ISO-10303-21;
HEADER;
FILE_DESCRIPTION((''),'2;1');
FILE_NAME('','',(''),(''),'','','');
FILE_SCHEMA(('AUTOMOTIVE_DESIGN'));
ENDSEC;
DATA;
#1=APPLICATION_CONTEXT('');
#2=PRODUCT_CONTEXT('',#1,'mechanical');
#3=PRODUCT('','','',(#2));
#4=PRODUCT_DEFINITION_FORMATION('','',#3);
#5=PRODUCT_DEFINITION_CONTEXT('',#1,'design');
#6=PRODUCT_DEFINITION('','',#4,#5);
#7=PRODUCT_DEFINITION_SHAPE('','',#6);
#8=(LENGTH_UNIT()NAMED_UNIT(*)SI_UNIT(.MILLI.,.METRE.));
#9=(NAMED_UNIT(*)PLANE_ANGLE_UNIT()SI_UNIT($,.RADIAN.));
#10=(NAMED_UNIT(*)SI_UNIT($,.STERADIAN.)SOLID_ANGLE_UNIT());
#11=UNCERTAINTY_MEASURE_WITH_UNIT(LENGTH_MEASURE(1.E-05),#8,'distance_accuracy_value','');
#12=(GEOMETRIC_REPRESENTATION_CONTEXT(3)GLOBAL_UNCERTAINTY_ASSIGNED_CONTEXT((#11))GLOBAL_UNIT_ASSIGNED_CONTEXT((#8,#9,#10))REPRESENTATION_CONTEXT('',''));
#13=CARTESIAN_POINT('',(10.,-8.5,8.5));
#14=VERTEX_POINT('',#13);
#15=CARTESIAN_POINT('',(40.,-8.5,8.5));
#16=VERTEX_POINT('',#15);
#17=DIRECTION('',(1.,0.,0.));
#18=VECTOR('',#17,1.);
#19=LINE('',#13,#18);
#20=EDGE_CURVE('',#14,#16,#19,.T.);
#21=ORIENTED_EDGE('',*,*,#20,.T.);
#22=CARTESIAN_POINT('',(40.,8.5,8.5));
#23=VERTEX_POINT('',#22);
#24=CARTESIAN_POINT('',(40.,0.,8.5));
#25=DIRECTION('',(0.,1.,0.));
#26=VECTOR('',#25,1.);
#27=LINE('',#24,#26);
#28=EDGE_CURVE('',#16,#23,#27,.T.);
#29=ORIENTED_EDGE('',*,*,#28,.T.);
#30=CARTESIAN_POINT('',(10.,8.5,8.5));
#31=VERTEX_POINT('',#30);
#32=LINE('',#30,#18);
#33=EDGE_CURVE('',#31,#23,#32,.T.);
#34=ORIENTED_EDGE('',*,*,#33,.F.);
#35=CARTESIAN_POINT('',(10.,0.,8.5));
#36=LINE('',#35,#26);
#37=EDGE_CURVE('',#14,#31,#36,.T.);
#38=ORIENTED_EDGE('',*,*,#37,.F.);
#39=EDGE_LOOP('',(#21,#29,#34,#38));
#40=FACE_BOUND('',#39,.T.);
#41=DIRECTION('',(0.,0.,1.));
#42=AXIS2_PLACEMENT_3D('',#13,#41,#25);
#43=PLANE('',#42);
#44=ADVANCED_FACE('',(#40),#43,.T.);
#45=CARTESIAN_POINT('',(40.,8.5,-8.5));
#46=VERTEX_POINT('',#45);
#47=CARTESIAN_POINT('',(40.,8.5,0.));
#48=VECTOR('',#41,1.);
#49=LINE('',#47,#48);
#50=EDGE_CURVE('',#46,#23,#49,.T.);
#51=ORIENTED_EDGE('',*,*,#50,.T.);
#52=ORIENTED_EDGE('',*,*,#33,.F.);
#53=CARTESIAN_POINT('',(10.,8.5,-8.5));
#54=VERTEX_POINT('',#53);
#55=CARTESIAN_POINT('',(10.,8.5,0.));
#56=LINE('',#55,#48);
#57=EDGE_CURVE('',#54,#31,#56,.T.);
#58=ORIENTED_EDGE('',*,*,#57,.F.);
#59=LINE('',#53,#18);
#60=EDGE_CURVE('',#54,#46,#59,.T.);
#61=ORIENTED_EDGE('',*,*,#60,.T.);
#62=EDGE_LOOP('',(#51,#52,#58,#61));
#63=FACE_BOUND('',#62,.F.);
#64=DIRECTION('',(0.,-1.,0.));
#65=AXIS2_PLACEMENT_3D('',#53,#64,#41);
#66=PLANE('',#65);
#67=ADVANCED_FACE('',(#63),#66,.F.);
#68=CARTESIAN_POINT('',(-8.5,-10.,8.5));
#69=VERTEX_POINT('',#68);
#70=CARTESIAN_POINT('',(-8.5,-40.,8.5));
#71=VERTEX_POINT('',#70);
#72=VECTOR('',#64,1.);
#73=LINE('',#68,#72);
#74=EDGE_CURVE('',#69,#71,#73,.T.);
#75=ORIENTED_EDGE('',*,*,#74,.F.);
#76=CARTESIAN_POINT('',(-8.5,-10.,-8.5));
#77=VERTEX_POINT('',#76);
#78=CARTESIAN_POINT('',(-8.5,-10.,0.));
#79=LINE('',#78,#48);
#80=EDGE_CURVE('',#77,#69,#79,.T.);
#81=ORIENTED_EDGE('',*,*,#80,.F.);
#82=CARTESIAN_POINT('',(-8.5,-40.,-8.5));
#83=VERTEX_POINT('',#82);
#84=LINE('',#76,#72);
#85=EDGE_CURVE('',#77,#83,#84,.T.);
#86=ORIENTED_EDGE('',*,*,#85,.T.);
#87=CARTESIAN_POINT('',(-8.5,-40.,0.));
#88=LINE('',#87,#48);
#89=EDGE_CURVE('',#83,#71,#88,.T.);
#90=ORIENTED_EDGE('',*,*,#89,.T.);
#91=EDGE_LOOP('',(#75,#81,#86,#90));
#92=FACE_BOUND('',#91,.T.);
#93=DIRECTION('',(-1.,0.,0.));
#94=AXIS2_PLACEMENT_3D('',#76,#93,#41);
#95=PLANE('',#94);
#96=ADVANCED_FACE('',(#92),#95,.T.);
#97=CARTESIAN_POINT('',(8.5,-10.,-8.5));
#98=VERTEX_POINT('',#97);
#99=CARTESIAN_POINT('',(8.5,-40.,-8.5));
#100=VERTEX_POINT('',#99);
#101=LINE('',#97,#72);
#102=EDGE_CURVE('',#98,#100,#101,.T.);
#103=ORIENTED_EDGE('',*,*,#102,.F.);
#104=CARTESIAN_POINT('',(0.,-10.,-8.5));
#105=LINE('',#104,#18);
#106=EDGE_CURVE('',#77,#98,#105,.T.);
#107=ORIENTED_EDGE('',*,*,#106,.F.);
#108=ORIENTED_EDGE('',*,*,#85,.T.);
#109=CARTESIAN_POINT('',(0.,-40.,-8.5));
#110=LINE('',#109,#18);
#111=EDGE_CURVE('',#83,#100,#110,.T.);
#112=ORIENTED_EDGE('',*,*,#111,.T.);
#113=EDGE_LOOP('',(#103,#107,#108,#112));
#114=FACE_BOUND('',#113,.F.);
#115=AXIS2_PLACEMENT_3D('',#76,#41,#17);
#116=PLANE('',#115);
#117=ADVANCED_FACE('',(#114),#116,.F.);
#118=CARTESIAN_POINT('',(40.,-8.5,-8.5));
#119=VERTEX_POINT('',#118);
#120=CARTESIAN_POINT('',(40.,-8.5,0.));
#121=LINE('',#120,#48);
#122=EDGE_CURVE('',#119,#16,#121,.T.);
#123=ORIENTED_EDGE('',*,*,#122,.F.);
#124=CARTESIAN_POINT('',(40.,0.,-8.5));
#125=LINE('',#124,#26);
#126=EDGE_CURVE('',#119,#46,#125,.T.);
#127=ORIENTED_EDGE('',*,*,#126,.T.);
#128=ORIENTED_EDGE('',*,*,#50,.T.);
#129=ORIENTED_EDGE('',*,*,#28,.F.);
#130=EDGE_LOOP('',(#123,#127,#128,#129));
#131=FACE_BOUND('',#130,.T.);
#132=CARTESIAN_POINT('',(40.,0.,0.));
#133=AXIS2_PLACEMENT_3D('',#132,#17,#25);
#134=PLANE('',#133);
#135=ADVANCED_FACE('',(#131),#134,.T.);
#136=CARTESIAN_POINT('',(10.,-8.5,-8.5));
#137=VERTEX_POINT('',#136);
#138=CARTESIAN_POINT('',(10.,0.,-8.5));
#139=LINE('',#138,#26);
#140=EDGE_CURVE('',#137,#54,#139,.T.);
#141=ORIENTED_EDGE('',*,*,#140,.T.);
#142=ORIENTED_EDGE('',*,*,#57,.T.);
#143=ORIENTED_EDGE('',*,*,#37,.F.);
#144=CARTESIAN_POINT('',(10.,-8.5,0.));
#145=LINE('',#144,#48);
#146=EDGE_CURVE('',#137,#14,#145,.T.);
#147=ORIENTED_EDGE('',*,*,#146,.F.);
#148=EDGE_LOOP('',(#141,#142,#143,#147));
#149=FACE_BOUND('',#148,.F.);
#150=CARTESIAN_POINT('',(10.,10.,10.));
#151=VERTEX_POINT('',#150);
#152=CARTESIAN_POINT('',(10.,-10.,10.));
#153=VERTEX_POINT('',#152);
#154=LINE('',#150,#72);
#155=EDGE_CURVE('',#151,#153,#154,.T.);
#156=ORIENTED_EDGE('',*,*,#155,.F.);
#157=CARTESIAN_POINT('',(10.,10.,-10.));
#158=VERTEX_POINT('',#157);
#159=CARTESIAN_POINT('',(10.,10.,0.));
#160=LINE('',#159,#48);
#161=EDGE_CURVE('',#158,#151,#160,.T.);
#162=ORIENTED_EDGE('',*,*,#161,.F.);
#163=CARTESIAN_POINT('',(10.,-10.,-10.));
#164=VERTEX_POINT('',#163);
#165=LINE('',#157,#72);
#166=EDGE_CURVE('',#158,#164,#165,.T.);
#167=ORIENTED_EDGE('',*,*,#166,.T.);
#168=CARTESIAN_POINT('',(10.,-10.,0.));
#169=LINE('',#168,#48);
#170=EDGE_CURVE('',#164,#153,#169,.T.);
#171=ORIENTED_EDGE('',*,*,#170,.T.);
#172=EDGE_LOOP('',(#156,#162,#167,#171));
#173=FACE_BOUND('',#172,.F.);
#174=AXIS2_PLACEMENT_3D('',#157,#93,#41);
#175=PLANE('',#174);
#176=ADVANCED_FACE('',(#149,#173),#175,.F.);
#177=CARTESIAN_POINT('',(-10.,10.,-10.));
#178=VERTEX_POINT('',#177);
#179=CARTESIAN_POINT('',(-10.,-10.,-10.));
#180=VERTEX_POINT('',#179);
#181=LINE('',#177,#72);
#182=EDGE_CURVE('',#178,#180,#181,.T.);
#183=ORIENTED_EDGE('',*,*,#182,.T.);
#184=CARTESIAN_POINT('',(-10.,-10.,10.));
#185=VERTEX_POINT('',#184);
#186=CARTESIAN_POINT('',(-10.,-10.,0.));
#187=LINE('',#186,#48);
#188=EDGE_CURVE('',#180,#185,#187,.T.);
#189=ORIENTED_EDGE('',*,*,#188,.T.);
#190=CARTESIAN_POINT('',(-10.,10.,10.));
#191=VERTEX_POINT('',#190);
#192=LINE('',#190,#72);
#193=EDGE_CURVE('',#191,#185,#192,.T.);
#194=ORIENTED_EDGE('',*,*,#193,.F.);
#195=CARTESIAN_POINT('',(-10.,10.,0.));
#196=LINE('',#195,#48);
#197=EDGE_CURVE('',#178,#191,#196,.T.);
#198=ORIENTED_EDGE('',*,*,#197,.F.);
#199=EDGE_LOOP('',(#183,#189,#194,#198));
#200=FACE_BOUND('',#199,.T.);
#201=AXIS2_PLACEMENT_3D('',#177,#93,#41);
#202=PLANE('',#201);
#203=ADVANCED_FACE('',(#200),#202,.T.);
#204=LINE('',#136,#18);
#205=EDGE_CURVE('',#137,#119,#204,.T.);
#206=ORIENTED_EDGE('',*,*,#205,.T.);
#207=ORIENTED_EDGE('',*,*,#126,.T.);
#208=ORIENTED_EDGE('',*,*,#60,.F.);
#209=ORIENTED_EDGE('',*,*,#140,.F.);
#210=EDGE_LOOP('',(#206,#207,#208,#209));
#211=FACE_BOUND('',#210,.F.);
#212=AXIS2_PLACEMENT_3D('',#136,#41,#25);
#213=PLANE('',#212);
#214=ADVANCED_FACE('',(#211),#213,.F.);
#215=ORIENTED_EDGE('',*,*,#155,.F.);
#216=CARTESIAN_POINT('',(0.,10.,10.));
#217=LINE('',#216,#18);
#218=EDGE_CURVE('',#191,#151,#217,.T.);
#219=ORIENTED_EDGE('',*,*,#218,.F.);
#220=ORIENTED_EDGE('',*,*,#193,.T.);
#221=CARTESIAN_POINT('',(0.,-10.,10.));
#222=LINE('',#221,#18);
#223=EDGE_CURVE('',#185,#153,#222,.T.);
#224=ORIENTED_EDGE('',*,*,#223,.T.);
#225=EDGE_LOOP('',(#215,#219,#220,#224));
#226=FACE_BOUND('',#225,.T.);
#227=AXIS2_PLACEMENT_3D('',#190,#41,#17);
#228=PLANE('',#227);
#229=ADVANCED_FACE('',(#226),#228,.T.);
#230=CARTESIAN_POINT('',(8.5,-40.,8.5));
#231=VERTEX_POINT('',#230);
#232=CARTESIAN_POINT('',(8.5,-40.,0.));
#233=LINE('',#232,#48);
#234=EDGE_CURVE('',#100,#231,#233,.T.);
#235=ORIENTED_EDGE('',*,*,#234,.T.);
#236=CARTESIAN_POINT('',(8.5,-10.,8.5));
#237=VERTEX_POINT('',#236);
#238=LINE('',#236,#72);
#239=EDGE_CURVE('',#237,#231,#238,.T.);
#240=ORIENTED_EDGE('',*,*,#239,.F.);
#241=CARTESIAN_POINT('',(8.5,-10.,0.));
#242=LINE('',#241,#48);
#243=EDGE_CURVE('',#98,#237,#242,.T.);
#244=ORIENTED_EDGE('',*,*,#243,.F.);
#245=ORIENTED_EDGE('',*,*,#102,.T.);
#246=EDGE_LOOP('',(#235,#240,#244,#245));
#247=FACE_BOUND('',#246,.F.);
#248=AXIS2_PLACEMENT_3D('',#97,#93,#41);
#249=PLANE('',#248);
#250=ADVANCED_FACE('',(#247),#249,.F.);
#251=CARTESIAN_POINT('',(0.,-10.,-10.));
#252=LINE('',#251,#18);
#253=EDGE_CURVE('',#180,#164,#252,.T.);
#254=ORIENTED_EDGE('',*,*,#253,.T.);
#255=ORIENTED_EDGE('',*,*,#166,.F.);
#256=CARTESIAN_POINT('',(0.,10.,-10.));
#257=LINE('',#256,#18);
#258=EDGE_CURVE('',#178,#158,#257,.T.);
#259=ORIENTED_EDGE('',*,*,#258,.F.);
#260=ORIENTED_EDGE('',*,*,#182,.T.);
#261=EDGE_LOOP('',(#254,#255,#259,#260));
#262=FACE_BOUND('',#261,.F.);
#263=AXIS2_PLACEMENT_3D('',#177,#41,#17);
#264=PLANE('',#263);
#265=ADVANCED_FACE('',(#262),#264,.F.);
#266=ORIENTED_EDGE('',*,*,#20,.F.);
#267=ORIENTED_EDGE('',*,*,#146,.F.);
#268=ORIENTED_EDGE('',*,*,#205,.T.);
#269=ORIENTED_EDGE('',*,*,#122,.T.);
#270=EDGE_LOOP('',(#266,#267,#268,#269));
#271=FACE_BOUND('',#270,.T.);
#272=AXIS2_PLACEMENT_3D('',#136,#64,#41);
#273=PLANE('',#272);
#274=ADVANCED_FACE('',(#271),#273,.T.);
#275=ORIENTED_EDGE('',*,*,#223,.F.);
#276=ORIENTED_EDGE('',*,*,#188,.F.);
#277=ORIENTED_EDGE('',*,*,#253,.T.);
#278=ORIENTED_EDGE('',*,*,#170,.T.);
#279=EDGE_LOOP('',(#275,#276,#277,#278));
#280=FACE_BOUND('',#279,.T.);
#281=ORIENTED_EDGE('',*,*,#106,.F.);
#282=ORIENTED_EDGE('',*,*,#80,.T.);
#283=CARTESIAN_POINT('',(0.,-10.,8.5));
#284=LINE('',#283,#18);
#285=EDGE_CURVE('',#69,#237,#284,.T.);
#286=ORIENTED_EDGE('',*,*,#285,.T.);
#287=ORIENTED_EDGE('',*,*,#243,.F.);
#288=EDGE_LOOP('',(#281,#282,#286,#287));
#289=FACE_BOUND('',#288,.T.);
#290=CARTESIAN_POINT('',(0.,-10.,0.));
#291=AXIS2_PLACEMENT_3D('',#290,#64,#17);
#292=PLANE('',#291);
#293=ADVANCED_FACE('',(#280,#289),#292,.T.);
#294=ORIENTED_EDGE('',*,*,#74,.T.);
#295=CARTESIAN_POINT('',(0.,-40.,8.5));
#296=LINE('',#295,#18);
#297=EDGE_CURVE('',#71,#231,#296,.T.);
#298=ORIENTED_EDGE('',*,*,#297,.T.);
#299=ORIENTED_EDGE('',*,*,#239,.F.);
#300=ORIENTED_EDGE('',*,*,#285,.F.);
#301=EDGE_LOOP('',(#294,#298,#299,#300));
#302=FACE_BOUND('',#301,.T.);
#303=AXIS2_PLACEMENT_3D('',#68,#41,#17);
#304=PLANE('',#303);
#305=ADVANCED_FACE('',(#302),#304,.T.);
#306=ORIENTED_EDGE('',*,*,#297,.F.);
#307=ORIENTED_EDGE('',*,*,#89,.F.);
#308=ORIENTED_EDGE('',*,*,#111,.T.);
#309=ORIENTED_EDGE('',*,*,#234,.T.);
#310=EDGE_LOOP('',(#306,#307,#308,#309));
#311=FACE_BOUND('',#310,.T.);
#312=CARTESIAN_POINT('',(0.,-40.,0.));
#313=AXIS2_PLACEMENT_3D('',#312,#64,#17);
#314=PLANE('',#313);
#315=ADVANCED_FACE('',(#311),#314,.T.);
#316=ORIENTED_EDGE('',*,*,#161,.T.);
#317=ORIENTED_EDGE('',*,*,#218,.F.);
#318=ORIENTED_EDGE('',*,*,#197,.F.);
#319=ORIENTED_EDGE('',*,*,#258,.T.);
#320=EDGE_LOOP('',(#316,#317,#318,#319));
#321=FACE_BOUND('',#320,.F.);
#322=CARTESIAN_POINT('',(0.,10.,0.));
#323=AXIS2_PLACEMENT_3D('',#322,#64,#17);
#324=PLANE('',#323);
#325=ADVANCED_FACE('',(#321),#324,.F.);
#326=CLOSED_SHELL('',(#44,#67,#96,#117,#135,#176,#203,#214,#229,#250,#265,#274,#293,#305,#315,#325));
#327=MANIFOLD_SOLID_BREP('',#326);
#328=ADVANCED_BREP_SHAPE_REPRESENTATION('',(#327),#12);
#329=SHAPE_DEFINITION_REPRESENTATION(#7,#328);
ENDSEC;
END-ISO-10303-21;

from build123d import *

# Parameters (mm, degrees)
F0_W     = 20
F0_H     = 20
F1_DEPTH = 20
F3_W     = 17
F3_H     = 17
F4_DEPTH = 30
F5_W     = 17
F5_H     = 17
F6_DEPTH = 30


with BuildPart() as f1:
    # F0 (on Front) → F1 (new body)
    with BuildSketch(Plane.XZ):
        Rectangle(F0_W, F0_H)
    extrude(amount=F1_DEPTH)


with BuildPart() as f1_1:
    # F2: moved
    add(f1.part.moved(Location((0, 10, 0))))

    # F3 (on face) → F4 (join)
    with BuildSketch(Plane.XZ.offset(10)):
        Rectangle(F3_W, F3_H)
    extrude(amount=F4_DEPTH)

    # F5 (on face) → F6 (join)
    with BuildSketch(Plane.YZ.offset(10)):
        Rectangle(F5_W, F5_H)
    extrude(amount=F6_DEPTH)


solid = f1_1.part
